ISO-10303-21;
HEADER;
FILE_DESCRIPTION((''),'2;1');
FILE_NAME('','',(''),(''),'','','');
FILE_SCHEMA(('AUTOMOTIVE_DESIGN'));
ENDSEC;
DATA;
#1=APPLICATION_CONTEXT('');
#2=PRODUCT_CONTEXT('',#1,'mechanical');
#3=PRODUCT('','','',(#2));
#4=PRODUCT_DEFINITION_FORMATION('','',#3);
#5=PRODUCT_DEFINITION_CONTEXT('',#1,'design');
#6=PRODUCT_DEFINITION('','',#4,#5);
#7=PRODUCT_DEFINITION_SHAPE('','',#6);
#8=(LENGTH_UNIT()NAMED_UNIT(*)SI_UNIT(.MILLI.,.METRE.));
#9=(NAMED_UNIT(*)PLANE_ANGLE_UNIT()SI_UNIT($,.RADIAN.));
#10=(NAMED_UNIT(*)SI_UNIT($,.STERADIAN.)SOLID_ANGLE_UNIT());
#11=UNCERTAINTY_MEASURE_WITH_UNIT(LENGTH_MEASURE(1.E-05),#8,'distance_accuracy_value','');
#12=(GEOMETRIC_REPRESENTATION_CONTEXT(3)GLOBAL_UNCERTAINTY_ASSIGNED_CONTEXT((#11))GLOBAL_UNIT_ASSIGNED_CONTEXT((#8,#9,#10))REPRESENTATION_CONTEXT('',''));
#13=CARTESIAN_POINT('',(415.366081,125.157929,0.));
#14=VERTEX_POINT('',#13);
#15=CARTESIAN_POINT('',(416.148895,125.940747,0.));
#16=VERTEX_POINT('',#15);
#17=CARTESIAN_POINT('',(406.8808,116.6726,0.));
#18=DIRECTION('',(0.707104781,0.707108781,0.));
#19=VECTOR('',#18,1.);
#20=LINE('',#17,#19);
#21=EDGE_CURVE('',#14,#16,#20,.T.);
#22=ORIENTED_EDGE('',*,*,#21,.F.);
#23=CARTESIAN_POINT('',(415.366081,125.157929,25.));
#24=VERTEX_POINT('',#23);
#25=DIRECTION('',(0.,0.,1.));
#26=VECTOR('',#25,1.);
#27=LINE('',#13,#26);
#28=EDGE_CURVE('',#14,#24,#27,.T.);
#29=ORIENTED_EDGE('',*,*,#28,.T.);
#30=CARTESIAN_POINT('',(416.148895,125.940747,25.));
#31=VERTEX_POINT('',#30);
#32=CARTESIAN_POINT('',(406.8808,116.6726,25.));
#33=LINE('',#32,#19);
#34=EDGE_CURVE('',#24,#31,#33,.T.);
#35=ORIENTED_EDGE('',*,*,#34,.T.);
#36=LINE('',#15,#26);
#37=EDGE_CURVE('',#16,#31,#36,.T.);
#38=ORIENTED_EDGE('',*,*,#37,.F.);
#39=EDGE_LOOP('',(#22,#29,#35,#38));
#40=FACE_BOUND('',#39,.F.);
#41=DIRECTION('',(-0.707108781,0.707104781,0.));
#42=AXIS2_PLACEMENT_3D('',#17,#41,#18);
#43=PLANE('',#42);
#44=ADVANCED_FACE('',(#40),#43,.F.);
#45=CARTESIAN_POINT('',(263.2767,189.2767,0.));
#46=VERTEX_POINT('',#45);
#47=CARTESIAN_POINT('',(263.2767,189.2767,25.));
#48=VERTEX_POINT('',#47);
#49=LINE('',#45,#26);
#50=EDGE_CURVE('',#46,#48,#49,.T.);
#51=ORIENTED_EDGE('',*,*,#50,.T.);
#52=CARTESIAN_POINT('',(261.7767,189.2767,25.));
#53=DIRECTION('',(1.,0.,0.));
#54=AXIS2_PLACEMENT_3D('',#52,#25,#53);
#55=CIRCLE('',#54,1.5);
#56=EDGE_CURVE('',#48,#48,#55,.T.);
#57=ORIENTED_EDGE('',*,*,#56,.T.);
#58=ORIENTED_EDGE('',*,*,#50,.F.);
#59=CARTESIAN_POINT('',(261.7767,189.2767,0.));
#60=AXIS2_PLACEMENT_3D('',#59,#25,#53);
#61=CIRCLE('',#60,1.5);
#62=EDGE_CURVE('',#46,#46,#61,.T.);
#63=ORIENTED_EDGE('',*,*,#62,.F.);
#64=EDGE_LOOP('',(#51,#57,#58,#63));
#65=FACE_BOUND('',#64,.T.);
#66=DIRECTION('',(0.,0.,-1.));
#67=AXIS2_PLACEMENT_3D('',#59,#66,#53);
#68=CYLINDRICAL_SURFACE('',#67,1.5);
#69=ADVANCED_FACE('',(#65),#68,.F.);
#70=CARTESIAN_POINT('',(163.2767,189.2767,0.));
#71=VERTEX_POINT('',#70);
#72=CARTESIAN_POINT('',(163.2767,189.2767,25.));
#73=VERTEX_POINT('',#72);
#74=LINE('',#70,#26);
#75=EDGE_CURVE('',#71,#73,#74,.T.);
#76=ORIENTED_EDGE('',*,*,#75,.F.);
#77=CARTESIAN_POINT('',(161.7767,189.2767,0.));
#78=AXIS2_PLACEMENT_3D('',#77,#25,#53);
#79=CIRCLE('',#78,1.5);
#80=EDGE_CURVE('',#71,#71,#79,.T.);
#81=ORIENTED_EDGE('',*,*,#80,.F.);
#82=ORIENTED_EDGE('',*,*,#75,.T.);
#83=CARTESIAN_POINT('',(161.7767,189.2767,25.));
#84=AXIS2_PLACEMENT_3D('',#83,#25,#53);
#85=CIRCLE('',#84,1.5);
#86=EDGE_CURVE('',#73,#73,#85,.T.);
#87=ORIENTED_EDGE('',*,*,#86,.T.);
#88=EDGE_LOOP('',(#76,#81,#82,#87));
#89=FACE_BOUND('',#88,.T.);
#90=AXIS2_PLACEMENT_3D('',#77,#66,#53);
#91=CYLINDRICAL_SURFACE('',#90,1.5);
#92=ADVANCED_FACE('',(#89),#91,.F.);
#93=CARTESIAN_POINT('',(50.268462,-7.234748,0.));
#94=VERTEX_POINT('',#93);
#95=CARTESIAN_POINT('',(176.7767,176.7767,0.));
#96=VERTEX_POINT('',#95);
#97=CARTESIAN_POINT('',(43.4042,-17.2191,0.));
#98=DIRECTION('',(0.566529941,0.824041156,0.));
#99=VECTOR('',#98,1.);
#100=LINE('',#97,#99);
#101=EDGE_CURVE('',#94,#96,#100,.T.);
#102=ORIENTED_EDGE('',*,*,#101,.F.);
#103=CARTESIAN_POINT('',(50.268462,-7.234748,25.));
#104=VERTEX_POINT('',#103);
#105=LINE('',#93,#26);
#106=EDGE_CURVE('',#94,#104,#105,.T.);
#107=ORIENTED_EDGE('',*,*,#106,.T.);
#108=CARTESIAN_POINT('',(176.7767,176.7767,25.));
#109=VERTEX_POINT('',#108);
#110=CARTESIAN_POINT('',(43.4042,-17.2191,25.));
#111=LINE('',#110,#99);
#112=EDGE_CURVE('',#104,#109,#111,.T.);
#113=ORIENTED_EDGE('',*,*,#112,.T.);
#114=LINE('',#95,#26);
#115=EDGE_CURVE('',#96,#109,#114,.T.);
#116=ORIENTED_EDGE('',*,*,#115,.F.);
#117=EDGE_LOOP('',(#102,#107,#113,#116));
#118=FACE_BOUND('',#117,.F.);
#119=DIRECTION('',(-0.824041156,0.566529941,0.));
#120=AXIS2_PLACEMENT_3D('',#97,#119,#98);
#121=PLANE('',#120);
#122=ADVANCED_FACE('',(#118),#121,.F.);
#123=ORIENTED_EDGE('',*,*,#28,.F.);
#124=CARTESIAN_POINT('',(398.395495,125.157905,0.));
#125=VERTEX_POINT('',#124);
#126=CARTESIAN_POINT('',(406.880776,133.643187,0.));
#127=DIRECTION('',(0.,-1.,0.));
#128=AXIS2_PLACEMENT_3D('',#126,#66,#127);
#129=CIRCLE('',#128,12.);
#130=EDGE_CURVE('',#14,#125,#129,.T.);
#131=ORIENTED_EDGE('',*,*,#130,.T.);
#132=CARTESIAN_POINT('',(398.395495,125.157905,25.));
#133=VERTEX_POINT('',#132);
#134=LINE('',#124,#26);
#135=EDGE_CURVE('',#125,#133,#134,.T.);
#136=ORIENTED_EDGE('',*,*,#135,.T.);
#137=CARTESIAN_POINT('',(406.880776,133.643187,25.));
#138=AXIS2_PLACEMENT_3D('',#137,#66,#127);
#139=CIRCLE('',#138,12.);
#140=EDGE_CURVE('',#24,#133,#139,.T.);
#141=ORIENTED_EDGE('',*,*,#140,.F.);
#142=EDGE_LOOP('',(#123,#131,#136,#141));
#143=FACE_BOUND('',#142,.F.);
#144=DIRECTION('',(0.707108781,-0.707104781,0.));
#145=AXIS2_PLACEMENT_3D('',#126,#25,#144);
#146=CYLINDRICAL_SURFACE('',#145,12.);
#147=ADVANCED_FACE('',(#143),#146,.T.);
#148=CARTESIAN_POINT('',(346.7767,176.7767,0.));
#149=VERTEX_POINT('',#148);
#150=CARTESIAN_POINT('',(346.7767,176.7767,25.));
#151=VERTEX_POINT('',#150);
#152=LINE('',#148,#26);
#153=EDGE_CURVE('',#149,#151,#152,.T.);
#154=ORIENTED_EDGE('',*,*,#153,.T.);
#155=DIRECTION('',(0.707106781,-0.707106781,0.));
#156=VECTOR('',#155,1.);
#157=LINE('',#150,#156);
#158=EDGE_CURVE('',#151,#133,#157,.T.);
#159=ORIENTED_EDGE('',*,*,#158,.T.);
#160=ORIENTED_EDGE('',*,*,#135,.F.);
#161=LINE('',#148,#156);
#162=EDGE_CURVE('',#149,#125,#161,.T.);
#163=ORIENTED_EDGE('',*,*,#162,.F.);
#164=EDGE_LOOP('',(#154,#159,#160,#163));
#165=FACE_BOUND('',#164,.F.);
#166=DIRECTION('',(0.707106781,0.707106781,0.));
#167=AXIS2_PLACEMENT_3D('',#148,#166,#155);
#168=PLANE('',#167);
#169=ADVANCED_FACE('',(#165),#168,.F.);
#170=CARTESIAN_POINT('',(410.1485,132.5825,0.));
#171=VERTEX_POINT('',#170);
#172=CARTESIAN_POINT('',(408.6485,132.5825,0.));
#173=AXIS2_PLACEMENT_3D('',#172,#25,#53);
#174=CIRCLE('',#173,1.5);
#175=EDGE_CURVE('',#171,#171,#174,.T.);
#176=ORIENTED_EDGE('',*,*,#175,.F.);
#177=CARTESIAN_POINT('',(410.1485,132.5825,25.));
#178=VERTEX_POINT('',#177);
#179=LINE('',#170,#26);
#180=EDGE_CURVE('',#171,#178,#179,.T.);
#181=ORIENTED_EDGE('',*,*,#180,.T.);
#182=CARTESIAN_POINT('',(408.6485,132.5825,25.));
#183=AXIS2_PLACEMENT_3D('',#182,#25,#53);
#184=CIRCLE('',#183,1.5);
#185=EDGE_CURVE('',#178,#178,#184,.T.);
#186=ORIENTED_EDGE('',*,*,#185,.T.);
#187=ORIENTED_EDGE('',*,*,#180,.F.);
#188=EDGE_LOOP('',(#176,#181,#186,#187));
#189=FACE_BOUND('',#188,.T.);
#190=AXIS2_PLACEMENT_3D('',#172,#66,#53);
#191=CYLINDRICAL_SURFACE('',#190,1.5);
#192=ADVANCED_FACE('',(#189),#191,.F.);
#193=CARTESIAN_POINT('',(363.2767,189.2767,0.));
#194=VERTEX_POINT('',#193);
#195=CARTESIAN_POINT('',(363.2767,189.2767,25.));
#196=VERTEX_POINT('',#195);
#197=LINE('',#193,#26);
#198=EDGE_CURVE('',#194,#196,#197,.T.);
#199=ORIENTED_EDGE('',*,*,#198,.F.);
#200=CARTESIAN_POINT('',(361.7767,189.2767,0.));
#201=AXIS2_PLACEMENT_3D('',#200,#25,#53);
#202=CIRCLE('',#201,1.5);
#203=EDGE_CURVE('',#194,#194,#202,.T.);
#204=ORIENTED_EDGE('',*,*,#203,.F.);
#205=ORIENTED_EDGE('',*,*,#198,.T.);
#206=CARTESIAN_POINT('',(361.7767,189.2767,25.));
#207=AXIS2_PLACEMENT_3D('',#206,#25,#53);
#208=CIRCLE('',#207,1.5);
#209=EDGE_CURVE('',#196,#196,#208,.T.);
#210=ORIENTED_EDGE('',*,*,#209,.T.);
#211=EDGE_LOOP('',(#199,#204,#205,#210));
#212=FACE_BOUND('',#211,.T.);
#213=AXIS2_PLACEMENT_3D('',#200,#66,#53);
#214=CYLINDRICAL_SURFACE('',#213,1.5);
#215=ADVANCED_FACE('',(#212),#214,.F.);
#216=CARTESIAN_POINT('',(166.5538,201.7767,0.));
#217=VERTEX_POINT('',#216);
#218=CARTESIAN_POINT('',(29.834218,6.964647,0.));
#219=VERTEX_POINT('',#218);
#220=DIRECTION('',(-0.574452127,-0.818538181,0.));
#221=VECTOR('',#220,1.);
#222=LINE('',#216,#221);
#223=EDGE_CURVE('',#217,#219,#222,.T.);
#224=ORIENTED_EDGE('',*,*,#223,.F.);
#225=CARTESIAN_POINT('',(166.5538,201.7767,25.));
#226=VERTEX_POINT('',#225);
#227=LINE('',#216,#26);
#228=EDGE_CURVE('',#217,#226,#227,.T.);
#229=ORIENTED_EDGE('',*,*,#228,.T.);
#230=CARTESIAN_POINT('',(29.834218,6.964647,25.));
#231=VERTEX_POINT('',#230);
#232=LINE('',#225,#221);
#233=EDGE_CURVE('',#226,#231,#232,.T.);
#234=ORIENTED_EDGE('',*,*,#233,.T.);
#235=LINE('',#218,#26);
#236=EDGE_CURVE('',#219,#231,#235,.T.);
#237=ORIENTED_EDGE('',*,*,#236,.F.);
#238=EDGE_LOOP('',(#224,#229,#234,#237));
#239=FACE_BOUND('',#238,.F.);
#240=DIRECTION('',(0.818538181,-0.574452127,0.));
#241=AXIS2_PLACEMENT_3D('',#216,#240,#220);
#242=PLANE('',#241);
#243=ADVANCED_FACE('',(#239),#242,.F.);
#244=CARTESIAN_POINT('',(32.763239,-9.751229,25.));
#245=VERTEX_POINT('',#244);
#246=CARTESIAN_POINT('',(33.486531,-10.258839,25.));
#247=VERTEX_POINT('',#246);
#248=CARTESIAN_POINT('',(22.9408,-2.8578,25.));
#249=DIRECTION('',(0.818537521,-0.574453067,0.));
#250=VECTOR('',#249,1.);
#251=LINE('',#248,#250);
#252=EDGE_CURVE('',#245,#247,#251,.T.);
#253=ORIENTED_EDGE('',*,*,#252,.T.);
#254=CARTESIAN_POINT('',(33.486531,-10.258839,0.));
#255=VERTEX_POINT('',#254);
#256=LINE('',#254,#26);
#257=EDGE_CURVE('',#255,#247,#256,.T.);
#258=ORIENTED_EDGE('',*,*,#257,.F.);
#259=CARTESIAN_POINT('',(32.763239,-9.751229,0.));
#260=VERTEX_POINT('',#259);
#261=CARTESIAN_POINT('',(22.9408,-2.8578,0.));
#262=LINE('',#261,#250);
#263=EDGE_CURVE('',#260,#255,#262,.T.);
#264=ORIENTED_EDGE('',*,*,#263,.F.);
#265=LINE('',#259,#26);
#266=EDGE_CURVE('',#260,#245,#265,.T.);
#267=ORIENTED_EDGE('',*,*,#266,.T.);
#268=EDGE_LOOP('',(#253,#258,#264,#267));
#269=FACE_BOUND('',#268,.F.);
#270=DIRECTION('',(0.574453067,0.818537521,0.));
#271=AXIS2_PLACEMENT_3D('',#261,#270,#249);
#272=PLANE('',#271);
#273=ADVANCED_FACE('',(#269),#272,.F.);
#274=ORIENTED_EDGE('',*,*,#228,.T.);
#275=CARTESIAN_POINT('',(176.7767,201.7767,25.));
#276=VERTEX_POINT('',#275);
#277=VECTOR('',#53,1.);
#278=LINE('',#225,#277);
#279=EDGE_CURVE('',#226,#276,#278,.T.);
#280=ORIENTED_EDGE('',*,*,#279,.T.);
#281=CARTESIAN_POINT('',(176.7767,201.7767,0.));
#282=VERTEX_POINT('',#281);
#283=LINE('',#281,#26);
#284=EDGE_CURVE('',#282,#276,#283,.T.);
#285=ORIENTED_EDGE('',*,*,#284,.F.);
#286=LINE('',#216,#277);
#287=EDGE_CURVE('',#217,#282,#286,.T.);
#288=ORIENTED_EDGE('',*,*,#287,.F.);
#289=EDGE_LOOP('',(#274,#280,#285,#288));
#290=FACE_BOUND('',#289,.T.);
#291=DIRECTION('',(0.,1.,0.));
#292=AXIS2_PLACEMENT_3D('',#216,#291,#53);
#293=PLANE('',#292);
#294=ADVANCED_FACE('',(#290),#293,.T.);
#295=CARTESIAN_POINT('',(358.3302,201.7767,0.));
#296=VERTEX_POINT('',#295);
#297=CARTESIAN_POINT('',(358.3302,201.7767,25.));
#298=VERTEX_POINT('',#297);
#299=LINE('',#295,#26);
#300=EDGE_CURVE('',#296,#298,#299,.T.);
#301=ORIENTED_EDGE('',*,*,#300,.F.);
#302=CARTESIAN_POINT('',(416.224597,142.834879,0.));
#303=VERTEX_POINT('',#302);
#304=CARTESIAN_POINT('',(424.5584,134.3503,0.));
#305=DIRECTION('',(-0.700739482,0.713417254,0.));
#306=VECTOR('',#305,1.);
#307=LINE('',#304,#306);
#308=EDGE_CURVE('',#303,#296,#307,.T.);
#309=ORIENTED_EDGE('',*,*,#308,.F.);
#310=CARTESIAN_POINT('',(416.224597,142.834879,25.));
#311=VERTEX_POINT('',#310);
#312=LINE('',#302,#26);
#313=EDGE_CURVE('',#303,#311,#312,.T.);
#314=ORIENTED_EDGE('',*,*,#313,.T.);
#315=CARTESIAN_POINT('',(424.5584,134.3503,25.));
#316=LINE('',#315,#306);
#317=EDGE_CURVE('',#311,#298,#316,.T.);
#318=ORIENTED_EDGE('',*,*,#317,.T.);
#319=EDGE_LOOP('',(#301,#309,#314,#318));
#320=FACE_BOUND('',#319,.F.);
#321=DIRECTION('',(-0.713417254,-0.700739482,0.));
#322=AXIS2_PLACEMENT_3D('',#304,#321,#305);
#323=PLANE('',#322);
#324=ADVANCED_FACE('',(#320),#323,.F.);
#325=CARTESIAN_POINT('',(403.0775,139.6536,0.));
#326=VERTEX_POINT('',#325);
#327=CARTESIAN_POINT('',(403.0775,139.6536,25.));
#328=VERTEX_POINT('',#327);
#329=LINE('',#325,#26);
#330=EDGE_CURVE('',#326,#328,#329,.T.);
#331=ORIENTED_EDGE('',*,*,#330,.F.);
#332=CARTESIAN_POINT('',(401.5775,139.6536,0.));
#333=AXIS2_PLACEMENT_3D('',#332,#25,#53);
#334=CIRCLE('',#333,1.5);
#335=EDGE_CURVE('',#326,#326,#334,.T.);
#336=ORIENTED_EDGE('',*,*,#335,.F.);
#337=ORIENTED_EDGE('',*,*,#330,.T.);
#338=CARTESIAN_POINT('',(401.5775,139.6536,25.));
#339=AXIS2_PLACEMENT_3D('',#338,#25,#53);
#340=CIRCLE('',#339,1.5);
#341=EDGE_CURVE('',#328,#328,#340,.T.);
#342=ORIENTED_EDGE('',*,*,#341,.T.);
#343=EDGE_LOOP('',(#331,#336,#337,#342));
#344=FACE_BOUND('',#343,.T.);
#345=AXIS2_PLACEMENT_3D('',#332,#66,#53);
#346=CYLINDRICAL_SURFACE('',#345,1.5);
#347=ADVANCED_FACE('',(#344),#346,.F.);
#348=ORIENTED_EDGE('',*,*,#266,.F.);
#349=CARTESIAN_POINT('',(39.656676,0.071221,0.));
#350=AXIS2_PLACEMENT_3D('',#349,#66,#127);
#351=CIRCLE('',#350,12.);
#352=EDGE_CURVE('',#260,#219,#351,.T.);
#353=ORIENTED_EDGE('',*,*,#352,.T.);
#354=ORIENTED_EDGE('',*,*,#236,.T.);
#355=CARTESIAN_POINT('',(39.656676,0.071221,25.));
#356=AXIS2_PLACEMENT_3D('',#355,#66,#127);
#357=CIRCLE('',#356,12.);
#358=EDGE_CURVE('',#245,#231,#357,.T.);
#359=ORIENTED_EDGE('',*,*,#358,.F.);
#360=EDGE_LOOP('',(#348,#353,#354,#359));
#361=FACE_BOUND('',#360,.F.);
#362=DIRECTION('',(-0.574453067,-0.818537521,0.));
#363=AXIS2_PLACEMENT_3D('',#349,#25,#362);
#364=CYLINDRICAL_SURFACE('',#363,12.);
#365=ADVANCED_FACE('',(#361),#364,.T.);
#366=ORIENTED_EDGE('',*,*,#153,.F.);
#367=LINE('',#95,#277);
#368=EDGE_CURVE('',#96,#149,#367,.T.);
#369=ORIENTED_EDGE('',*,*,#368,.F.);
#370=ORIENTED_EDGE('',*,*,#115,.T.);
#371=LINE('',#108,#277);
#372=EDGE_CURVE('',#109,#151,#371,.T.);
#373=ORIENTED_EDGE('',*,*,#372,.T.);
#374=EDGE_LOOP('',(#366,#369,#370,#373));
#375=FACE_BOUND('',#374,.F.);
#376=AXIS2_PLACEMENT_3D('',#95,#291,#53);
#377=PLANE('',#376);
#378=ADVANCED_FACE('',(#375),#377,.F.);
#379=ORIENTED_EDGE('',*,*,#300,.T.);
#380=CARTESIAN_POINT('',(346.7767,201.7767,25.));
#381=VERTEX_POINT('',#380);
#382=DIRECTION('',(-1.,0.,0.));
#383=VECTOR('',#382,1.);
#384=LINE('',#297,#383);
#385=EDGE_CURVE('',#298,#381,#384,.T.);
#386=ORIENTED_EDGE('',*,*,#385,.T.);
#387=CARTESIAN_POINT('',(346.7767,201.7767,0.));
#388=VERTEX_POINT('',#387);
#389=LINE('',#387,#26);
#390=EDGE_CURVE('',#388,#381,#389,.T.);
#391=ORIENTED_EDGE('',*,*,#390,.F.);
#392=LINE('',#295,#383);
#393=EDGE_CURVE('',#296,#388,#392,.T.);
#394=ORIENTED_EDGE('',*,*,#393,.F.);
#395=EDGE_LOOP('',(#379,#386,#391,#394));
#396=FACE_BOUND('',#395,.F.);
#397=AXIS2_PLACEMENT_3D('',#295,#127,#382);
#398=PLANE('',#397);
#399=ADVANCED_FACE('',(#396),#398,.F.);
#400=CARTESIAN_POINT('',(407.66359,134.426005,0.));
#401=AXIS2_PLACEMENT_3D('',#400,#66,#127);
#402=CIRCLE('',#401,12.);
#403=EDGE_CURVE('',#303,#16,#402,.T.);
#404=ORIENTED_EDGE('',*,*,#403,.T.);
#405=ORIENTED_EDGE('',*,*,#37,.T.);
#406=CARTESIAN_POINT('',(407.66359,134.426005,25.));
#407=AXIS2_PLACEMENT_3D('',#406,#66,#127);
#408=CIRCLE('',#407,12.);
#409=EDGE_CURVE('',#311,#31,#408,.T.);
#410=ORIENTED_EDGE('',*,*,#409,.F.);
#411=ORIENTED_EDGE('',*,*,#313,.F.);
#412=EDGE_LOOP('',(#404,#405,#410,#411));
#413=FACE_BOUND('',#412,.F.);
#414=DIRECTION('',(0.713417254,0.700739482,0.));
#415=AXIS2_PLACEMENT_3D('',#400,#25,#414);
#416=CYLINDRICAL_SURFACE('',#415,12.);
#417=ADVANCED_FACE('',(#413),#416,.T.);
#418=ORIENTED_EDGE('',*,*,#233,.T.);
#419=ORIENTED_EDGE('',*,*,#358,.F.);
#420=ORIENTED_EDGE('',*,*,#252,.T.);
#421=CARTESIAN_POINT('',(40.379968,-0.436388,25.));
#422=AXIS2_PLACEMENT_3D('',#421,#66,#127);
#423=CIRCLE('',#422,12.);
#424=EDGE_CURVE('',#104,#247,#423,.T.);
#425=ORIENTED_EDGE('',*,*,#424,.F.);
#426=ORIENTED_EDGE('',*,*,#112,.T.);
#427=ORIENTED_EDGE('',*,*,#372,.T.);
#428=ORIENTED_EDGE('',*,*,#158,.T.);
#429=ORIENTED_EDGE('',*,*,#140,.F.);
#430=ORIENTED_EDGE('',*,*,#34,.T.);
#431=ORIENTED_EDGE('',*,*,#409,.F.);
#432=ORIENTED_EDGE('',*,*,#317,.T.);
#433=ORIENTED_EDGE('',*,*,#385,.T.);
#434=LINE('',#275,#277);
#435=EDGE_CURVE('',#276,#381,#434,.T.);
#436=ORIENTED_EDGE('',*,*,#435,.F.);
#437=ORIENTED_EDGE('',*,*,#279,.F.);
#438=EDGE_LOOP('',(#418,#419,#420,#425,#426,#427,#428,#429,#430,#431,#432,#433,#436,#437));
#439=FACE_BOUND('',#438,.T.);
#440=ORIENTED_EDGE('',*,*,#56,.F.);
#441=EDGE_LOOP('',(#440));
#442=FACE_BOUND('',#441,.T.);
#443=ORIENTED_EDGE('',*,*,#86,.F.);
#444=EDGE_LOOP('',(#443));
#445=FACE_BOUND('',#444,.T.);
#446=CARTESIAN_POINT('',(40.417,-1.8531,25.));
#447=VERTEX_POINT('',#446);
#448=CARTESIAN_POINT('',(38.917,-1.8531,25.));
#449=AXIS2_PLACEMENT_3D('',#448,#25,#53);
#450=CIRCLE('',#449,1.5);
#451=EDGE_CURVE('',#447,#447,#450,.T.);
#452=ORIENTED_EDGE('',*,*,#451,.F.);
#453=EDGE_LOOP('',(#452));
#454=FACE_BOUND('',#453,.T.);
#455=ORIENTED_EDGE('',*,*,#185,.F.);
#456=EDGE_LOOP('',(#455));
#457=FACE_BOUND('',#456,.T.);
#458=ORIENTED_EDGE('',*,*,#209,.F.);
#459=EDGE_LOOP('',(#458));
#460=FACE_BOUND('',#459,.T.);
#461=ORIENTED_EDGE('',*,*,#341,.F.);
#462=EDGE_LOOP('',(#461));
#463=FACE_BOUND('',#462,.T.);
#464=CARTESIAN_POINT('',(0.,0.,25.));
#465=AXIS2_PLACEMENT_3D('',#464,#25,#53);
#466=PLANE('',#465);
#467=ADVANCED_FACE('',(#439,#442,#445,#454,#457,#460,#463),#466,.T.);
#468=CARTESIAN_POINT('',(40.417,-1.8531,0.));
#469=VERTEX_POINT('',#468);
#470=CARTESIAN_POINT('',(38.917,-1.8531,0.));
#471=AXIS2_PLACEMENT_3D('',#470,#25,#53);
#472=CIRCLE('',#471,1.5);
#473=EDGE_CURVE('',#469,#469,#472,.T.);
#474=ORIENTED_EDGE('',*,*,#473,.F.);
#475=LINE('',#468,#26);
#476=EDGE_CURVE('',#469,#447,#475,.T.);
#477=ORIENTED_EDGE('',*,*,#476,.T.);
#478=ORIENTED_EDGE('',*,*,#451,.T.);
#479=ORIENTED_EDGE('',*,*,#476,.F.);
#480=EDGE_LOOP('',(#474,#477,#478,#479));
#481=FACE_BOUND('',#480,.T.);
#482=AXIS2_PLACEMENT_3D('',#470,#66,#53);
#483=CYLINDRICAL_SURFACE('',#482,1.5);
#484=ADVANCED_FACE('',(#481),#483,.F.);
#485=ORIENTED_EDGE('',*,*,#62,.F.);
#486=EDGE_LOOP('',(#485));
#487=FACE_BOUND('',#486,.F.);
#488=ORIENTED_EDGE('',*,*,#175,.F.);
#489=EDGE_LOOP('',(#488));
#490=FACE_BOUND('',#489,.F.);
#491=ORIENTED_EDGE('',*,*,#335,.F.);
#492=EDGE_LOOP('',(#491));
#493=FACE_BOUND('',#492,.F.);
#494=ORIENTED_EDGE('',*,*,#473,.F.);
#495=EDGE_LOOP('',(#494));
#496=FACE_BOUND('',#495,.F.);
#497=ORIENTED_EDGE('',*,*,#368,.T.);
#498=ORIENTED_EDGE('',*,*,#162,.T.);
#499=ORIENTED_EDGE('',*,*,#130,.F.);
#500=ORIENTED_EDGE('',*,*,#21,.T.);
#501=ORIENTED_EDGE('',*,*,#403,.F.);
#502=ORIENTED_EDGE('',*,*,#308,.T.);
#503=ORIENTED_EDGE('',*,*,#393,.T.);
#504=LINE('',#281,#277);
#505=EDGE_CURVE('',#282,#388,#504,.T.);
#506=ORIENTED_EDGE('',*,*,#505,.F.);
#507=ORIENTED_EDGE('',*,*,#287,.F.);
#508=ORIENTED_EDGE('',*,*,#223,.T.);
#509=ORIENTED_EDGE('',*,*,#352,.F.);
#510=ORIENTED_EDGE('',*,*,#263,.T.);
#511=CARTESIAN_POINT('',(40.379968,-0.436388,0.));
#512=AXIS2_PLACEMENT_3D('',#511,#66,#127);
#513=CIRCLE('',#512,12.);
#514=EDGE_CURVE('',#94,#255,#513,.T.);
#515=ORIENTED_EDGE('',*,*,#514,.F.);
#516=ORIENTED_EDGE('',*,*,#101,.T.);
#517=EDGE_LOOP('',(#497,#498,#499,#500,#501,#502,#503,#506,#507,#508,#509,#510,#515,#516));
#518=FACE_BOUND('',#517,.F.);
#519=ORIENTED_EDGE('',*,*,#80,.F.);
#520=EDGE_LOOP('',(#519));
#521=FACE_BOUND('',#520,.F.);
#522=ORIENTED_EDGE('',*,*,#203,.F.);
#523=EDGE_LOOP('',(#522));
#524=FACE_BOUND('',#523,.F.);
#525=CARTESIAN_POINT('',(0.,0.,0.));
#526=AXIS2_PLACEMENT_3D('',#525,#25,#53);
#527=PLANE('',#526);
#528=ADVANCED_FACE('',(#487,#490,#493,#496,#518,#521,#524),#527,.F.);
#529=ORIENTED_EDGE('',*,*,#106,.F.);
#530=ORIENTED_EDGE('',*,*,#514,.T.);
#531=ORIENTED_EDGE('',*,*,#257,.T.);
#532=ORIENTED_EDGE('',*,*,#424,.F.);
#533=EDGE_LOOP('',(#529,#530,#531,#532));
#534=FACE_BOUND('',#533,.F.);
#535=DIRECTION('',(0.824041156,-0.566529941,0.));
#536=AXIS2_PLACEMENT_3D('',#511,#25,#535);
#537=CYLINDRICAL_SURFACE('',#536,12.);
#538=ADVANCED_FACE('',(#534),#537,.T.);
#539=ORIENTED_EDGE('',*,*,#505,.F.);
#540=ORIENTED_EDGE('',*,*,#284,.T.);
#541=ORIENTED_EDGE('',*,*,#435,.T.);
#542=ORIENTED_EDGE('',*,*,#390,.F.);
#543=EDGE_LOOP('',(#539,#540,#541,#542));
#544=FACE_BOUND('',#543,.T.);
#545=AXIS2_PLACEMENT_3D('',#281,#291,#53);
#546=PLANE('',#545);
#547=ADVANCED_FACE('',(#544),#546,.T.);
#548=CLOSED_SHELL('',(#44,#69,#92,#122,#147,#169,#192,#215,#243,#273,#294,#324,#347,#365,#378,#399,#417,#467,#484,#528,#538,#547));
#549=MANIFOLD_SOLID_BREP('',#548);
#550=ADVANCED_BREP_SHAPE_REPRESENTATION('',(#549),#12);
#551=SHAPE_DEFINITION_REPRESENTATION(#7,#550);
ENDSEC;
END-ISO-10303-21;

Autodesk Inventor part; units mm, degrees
ref_plane "YZ Plane" through (0, 0, 0) normal (1, 0, 0) x (0, 1, 0)
ref_plane "XZ Plane" through (0, 0, 0) normal (0, 1, 0) x (-1, 0, 0)
ref_plane "XY Plane" through (0, 0, 0) normal (0, 0, 1) x (1, 0, 0)
sketch "Sketch1" plane through (0, 0, 0) normal (0, 0, 1) x (1, 0, 0)
  line L0 (176.7767, 176.7767) -> (346.7767, 176.7767)
  line L1 (346.7767, 176.7767) -> (406.8808, 116.6726)
  line L2 (176.7767, 201.7767) -> (346.7767, 201.7767)
  line L3 (406.8808, 116.6726) -> (424.5584, 134.3503)
  line L4 (424.5584, 134.3503) -> (358.3302, 201.7767)
  line L5 (358.3302, 201.7767) -> (346.7767, 201.7767)
  line L6 (166.5538, 201.7767) -> (176.7767, 201.7767)
  circle A0 centre (408.6485, 132.5825) radius 1.5
  circle A1 centre (401.5775, 139.6536) radius 1.5
  line L7 (166.5538, 201.7767) -> (22.9408, -2.8578)
  line L8 (22.9408, -2.8578) -> (43.4042, -17.2191)
  line L9 (43.4042, -17.2191) -> (176.7767, 176.7767)
  circle A2 centre (38.917, -1.8531) radius 1.5
  circle A3 centre (161.7767, 189.2767) radius 1.5
  circle A4 centre (361.7767, 189.2767) radius 1.5
  circle A5 centre (261.7767, 189.2767) radius 1.5
  dimension "d32" = 3
  dimension "d33" = 3
  dimension "d37" = 3
extrude "Extrusion5" add sketch "Sketch1" along normal blind 25
fillet "Fillet6" radius 12 4 edges at (22.9408, -2.8578, 12.5) (43.4042, -17.2191, 12.5) (406.8808, 116.6726, 12.5) (424.5584, 134.3503, 12.5)
properties part number "bodi metal"
